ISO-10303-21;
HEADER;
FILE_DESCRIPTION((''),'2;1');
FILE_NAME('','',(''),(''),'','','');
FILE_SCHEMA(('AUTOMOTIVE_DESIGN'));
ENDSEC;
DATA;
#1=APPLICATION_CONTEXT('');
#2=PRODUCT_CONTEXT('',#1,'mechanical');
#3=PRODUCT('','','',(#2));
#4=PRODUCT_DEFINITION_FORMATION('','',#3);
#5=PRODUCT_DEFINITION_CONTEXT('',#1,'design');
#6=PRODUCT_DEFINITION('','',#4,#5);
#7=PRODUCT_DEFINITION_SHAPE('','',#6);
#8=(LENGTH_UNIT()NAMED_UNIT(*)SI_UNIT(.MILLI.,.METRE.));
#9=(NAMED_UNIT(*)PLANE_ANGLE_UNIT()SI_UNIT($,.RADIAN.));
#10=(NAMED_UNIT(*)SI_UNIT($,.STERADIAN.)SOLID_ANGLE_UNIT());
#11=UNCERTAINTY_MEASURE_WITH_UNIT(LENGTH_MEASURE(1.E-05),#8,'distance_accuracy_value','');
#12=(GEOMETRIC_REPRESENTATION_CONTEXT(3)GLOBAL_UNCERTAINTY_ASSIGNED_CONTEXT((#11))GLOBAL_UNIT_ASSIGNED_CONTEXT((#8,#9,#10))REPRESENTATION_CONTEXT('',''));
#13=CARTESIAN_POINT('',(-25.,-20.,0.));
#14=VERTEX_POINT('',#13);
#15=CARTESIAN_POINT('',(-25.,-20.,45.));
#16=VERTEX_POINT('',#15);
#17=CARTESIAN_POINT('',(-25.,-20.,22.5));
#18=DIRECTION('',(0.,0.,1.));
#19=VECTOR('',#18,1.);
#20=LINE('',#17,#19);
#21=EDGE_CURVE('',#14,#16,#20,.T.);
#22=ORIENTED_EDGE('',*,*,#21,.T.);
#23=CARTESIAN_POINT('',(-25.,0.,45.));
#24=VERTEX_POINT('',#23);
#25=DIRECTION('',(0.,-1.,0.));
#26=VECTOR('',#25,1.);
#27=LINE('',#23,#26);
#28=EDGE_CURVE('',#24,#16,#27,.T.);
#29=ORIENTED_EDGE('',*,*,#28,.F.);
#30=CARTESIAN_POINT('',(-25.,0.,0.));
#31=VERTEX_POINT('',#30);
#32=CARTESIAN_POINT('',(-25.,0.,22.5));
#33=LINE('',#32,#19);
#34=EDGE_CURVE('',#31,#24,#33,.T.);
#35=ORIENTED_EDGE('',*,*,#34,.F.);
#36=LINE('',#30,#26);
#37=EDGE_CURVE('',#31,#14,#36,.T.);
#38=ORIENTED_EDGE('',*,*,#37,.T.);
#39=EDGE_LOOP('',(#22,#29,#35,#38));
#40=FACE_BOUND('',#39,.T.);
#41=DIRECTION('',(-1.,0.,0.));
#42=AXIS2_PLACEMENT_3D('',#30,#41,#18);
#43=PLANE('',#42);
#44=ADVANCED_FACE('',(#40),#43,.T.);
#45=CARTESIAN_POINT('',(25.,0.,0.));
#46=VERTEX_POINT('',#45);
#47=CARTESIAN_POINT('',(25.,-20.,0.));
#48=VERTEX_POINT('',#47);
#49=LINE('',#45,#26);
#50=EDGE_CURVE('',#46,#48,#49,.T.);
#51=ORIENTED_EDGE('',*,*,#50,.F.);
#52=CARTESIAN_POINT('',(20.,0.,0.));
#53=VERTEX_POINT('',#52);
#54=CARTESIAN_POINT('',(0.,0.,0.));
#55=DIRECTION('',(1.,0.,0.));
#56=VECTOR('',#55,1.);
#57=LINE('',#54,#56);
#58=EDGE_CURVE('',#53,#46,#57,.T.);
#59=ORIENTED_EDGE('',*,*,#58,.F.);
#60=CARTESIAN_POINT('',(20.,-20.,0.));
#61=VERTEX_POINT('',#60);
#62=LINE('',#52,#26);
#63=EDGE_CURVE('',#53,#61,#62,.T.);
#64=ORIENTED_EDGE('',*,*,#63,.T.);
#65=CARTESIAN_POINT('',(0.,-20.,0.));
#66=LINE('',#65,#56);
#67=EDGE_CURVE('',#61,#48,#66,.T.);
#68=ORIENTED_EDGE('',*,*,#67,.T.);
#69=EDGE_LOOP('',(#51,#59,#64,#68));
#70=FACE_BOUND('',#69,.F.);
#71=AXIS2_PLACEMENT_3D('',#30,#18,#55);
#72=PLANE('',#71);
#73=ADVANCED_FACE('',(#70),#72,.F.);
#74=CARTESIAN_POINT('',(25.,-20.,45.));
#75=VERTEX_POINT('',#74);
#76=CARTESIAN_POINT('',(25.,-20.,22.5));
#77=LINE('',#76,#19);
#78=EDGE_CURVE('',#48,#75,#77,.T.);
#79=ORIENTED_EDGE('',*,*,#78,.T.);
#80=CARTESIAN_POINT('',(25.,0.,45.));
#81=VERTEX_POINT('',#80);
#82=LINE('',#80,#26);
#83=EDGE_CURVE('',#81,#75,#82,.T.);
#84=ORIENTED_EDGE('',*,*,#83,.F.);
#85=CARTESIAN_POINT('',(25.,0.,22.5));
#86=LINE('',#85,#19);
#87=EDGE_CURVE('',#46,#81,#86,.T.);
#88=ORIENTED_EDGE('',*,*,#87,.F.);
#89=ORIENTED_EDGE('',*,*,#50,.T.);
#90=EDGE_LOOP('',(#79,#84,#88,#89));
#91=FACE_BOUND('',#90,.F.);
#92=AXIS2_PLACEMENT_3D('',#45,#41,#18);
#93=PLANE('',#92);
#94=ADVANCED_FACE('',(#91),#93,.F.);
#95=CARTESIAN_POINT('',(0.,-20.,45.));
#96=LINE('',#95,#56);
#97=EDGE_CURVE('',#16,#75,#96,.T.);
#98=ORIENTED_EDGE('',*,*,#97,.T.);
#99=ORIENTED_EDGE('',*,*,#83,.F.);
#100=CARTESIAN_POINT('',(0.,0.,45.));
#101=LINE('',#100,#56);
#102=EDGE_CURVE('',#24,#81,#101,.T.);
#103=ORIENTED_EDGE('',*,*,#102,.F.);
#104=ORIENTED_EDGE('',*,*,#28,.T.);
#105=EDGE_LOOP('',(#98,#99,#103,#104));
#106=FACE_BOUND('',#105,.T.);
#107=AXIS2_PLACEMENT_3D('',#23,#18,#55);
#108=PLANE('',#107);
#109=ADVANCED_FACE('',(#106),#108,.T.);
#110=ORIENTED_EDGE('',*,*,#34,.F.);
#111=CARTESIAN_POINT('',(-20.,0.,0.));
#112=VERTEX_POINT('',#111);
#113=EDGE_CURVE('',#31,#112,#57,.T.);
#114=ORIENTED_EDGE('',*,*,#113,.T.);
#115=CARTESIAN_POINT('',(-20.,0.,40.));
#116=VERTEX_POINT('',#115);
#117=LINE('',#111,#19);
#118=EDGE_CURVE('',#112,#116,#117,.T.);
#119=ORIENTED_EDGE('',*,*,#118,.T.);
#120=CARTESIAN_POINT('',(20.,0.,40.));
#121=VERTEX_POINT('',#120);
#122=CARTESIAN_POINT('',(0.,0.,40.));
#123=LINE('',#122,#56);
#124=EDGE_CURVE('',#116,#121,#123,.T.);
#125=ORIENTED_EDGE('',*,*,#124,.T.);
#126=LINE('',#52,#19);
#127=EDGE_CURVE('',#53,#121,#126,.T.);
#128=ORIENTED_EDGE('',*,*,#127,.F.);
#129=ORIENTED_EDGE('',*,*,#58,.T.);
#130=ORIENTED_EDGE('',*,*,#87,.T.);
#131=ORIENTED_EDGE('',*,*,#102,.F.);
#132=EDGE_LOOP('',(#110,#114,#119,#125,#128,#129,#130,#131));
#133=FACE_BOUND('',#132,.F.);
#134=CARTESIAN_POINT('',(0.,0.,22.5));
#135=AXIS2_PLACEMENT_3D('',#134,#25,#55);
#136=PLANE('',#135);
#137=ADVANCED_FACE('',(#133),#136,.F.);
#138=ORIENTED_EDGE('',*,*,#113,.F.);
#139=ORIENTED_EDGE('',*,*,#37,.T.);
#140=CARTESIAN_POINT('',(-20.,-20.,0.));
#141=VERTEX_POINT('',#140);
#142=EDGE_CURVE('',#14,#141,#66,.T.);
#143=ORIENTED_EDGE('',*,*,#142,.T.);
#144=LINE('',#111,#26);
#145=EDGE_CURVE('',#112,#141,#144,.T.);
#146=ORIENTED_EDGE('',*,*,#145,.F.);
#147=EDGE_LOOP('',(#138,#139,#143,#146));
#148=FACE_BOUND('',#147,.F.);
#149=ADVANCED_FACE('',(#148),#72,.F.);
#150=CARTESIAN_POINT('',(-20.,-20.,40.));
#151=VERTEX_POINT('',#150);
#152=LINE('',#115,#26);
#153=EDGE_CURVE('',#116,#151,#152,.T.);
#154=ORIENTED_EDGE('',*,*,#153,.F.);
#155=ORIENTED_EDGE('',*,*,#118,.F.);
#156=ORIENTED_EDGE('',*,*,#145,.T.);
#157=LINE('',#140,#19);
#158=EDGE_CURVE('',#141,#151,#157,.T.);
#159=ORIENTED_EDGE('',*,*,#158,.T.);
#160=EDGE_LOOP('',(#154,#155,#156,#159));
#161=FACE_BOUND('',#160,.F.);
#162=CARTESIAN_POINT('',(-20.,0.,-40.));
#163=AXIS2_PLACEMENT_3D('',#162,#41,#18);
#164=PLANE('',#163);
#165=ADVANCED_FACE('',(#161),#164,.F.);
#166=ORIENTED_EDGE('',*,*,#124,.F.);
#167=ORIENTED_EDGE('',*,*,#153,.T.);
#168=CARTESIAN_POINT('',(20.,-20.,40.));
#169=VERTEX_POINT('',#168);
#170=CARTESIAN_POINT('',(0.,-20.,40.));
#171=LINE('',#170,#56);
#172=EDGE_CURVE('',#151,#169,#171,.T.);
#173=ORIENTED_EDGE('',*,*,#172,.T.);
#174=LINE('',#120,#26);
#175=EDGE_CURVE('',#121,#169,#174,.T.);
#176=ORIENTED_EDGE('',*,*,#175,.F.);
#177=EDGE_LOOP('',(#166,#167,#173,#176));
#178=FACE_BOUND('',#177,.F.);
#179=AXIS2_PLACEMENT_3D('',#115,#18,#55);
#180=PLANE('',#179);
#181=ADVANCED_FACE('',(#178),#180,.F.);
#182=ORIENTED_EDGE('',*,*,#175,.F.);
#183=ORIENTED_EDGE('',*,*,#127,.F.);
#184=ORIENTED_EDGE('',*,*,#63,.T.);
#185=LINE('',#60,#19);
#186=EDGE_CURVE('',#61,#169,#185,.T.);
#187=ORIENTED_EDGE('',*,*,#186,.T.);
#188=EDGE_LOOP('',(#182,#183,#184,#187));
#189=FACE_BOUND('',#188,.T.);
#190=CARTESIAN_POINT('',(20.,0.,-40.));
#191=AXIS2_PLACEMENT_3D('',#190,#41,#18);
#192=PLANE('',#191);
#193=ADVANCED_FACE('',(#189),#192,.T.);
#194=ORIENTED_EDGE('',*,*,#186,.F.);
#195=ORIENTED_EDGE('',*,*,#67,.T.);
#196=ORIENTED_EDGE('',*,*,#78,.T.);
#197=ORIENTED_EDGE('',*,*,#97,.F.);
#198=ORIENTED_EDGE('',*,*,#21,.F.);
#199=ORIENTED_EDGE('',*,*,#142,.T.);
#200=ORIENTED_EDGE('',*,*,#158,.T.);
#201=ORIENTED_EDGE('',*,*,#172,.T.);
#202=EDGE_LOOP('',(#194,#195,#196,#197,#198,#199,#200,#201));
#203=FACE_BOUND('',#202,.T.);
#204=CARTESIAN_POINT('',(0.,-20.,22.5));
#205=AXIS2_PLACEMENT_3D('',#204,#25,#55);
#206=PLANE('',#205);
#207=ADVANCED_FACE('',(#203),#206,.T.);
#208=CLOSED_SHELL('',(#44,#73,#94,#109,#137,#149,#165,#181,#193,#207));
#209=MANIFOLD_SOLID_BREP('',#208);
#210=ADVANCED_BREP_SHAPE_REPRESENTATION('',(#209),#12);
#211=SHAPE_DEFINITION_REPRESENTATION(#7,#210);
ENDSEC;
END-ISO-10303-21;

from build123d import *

# Parameters (mm, degrees)
F0_W     = 50
F0_H     = 45
F1_DEPTH = 20
F2_W     = 40
F2_H     = 80
F3_DEPTH = 20


with BuildPart() as f1:
    # F0 (on Front) → F1 (new body)
    with BuildSketch(Plane.XZ):
        with Locations((0, 22.5)):
            Rectangle(F0_W, F0_H)
    extrude(amount=F1_DEPTH)

    # F2 (on Front) → F3 (cut)
    with BuildSketch(Plane.XZ):
        Rectangle(F2_W, F2_H)
    extrude(amount=F3_DEPTH, mode=Mode.SUBTRACT)


solid = f1.part
